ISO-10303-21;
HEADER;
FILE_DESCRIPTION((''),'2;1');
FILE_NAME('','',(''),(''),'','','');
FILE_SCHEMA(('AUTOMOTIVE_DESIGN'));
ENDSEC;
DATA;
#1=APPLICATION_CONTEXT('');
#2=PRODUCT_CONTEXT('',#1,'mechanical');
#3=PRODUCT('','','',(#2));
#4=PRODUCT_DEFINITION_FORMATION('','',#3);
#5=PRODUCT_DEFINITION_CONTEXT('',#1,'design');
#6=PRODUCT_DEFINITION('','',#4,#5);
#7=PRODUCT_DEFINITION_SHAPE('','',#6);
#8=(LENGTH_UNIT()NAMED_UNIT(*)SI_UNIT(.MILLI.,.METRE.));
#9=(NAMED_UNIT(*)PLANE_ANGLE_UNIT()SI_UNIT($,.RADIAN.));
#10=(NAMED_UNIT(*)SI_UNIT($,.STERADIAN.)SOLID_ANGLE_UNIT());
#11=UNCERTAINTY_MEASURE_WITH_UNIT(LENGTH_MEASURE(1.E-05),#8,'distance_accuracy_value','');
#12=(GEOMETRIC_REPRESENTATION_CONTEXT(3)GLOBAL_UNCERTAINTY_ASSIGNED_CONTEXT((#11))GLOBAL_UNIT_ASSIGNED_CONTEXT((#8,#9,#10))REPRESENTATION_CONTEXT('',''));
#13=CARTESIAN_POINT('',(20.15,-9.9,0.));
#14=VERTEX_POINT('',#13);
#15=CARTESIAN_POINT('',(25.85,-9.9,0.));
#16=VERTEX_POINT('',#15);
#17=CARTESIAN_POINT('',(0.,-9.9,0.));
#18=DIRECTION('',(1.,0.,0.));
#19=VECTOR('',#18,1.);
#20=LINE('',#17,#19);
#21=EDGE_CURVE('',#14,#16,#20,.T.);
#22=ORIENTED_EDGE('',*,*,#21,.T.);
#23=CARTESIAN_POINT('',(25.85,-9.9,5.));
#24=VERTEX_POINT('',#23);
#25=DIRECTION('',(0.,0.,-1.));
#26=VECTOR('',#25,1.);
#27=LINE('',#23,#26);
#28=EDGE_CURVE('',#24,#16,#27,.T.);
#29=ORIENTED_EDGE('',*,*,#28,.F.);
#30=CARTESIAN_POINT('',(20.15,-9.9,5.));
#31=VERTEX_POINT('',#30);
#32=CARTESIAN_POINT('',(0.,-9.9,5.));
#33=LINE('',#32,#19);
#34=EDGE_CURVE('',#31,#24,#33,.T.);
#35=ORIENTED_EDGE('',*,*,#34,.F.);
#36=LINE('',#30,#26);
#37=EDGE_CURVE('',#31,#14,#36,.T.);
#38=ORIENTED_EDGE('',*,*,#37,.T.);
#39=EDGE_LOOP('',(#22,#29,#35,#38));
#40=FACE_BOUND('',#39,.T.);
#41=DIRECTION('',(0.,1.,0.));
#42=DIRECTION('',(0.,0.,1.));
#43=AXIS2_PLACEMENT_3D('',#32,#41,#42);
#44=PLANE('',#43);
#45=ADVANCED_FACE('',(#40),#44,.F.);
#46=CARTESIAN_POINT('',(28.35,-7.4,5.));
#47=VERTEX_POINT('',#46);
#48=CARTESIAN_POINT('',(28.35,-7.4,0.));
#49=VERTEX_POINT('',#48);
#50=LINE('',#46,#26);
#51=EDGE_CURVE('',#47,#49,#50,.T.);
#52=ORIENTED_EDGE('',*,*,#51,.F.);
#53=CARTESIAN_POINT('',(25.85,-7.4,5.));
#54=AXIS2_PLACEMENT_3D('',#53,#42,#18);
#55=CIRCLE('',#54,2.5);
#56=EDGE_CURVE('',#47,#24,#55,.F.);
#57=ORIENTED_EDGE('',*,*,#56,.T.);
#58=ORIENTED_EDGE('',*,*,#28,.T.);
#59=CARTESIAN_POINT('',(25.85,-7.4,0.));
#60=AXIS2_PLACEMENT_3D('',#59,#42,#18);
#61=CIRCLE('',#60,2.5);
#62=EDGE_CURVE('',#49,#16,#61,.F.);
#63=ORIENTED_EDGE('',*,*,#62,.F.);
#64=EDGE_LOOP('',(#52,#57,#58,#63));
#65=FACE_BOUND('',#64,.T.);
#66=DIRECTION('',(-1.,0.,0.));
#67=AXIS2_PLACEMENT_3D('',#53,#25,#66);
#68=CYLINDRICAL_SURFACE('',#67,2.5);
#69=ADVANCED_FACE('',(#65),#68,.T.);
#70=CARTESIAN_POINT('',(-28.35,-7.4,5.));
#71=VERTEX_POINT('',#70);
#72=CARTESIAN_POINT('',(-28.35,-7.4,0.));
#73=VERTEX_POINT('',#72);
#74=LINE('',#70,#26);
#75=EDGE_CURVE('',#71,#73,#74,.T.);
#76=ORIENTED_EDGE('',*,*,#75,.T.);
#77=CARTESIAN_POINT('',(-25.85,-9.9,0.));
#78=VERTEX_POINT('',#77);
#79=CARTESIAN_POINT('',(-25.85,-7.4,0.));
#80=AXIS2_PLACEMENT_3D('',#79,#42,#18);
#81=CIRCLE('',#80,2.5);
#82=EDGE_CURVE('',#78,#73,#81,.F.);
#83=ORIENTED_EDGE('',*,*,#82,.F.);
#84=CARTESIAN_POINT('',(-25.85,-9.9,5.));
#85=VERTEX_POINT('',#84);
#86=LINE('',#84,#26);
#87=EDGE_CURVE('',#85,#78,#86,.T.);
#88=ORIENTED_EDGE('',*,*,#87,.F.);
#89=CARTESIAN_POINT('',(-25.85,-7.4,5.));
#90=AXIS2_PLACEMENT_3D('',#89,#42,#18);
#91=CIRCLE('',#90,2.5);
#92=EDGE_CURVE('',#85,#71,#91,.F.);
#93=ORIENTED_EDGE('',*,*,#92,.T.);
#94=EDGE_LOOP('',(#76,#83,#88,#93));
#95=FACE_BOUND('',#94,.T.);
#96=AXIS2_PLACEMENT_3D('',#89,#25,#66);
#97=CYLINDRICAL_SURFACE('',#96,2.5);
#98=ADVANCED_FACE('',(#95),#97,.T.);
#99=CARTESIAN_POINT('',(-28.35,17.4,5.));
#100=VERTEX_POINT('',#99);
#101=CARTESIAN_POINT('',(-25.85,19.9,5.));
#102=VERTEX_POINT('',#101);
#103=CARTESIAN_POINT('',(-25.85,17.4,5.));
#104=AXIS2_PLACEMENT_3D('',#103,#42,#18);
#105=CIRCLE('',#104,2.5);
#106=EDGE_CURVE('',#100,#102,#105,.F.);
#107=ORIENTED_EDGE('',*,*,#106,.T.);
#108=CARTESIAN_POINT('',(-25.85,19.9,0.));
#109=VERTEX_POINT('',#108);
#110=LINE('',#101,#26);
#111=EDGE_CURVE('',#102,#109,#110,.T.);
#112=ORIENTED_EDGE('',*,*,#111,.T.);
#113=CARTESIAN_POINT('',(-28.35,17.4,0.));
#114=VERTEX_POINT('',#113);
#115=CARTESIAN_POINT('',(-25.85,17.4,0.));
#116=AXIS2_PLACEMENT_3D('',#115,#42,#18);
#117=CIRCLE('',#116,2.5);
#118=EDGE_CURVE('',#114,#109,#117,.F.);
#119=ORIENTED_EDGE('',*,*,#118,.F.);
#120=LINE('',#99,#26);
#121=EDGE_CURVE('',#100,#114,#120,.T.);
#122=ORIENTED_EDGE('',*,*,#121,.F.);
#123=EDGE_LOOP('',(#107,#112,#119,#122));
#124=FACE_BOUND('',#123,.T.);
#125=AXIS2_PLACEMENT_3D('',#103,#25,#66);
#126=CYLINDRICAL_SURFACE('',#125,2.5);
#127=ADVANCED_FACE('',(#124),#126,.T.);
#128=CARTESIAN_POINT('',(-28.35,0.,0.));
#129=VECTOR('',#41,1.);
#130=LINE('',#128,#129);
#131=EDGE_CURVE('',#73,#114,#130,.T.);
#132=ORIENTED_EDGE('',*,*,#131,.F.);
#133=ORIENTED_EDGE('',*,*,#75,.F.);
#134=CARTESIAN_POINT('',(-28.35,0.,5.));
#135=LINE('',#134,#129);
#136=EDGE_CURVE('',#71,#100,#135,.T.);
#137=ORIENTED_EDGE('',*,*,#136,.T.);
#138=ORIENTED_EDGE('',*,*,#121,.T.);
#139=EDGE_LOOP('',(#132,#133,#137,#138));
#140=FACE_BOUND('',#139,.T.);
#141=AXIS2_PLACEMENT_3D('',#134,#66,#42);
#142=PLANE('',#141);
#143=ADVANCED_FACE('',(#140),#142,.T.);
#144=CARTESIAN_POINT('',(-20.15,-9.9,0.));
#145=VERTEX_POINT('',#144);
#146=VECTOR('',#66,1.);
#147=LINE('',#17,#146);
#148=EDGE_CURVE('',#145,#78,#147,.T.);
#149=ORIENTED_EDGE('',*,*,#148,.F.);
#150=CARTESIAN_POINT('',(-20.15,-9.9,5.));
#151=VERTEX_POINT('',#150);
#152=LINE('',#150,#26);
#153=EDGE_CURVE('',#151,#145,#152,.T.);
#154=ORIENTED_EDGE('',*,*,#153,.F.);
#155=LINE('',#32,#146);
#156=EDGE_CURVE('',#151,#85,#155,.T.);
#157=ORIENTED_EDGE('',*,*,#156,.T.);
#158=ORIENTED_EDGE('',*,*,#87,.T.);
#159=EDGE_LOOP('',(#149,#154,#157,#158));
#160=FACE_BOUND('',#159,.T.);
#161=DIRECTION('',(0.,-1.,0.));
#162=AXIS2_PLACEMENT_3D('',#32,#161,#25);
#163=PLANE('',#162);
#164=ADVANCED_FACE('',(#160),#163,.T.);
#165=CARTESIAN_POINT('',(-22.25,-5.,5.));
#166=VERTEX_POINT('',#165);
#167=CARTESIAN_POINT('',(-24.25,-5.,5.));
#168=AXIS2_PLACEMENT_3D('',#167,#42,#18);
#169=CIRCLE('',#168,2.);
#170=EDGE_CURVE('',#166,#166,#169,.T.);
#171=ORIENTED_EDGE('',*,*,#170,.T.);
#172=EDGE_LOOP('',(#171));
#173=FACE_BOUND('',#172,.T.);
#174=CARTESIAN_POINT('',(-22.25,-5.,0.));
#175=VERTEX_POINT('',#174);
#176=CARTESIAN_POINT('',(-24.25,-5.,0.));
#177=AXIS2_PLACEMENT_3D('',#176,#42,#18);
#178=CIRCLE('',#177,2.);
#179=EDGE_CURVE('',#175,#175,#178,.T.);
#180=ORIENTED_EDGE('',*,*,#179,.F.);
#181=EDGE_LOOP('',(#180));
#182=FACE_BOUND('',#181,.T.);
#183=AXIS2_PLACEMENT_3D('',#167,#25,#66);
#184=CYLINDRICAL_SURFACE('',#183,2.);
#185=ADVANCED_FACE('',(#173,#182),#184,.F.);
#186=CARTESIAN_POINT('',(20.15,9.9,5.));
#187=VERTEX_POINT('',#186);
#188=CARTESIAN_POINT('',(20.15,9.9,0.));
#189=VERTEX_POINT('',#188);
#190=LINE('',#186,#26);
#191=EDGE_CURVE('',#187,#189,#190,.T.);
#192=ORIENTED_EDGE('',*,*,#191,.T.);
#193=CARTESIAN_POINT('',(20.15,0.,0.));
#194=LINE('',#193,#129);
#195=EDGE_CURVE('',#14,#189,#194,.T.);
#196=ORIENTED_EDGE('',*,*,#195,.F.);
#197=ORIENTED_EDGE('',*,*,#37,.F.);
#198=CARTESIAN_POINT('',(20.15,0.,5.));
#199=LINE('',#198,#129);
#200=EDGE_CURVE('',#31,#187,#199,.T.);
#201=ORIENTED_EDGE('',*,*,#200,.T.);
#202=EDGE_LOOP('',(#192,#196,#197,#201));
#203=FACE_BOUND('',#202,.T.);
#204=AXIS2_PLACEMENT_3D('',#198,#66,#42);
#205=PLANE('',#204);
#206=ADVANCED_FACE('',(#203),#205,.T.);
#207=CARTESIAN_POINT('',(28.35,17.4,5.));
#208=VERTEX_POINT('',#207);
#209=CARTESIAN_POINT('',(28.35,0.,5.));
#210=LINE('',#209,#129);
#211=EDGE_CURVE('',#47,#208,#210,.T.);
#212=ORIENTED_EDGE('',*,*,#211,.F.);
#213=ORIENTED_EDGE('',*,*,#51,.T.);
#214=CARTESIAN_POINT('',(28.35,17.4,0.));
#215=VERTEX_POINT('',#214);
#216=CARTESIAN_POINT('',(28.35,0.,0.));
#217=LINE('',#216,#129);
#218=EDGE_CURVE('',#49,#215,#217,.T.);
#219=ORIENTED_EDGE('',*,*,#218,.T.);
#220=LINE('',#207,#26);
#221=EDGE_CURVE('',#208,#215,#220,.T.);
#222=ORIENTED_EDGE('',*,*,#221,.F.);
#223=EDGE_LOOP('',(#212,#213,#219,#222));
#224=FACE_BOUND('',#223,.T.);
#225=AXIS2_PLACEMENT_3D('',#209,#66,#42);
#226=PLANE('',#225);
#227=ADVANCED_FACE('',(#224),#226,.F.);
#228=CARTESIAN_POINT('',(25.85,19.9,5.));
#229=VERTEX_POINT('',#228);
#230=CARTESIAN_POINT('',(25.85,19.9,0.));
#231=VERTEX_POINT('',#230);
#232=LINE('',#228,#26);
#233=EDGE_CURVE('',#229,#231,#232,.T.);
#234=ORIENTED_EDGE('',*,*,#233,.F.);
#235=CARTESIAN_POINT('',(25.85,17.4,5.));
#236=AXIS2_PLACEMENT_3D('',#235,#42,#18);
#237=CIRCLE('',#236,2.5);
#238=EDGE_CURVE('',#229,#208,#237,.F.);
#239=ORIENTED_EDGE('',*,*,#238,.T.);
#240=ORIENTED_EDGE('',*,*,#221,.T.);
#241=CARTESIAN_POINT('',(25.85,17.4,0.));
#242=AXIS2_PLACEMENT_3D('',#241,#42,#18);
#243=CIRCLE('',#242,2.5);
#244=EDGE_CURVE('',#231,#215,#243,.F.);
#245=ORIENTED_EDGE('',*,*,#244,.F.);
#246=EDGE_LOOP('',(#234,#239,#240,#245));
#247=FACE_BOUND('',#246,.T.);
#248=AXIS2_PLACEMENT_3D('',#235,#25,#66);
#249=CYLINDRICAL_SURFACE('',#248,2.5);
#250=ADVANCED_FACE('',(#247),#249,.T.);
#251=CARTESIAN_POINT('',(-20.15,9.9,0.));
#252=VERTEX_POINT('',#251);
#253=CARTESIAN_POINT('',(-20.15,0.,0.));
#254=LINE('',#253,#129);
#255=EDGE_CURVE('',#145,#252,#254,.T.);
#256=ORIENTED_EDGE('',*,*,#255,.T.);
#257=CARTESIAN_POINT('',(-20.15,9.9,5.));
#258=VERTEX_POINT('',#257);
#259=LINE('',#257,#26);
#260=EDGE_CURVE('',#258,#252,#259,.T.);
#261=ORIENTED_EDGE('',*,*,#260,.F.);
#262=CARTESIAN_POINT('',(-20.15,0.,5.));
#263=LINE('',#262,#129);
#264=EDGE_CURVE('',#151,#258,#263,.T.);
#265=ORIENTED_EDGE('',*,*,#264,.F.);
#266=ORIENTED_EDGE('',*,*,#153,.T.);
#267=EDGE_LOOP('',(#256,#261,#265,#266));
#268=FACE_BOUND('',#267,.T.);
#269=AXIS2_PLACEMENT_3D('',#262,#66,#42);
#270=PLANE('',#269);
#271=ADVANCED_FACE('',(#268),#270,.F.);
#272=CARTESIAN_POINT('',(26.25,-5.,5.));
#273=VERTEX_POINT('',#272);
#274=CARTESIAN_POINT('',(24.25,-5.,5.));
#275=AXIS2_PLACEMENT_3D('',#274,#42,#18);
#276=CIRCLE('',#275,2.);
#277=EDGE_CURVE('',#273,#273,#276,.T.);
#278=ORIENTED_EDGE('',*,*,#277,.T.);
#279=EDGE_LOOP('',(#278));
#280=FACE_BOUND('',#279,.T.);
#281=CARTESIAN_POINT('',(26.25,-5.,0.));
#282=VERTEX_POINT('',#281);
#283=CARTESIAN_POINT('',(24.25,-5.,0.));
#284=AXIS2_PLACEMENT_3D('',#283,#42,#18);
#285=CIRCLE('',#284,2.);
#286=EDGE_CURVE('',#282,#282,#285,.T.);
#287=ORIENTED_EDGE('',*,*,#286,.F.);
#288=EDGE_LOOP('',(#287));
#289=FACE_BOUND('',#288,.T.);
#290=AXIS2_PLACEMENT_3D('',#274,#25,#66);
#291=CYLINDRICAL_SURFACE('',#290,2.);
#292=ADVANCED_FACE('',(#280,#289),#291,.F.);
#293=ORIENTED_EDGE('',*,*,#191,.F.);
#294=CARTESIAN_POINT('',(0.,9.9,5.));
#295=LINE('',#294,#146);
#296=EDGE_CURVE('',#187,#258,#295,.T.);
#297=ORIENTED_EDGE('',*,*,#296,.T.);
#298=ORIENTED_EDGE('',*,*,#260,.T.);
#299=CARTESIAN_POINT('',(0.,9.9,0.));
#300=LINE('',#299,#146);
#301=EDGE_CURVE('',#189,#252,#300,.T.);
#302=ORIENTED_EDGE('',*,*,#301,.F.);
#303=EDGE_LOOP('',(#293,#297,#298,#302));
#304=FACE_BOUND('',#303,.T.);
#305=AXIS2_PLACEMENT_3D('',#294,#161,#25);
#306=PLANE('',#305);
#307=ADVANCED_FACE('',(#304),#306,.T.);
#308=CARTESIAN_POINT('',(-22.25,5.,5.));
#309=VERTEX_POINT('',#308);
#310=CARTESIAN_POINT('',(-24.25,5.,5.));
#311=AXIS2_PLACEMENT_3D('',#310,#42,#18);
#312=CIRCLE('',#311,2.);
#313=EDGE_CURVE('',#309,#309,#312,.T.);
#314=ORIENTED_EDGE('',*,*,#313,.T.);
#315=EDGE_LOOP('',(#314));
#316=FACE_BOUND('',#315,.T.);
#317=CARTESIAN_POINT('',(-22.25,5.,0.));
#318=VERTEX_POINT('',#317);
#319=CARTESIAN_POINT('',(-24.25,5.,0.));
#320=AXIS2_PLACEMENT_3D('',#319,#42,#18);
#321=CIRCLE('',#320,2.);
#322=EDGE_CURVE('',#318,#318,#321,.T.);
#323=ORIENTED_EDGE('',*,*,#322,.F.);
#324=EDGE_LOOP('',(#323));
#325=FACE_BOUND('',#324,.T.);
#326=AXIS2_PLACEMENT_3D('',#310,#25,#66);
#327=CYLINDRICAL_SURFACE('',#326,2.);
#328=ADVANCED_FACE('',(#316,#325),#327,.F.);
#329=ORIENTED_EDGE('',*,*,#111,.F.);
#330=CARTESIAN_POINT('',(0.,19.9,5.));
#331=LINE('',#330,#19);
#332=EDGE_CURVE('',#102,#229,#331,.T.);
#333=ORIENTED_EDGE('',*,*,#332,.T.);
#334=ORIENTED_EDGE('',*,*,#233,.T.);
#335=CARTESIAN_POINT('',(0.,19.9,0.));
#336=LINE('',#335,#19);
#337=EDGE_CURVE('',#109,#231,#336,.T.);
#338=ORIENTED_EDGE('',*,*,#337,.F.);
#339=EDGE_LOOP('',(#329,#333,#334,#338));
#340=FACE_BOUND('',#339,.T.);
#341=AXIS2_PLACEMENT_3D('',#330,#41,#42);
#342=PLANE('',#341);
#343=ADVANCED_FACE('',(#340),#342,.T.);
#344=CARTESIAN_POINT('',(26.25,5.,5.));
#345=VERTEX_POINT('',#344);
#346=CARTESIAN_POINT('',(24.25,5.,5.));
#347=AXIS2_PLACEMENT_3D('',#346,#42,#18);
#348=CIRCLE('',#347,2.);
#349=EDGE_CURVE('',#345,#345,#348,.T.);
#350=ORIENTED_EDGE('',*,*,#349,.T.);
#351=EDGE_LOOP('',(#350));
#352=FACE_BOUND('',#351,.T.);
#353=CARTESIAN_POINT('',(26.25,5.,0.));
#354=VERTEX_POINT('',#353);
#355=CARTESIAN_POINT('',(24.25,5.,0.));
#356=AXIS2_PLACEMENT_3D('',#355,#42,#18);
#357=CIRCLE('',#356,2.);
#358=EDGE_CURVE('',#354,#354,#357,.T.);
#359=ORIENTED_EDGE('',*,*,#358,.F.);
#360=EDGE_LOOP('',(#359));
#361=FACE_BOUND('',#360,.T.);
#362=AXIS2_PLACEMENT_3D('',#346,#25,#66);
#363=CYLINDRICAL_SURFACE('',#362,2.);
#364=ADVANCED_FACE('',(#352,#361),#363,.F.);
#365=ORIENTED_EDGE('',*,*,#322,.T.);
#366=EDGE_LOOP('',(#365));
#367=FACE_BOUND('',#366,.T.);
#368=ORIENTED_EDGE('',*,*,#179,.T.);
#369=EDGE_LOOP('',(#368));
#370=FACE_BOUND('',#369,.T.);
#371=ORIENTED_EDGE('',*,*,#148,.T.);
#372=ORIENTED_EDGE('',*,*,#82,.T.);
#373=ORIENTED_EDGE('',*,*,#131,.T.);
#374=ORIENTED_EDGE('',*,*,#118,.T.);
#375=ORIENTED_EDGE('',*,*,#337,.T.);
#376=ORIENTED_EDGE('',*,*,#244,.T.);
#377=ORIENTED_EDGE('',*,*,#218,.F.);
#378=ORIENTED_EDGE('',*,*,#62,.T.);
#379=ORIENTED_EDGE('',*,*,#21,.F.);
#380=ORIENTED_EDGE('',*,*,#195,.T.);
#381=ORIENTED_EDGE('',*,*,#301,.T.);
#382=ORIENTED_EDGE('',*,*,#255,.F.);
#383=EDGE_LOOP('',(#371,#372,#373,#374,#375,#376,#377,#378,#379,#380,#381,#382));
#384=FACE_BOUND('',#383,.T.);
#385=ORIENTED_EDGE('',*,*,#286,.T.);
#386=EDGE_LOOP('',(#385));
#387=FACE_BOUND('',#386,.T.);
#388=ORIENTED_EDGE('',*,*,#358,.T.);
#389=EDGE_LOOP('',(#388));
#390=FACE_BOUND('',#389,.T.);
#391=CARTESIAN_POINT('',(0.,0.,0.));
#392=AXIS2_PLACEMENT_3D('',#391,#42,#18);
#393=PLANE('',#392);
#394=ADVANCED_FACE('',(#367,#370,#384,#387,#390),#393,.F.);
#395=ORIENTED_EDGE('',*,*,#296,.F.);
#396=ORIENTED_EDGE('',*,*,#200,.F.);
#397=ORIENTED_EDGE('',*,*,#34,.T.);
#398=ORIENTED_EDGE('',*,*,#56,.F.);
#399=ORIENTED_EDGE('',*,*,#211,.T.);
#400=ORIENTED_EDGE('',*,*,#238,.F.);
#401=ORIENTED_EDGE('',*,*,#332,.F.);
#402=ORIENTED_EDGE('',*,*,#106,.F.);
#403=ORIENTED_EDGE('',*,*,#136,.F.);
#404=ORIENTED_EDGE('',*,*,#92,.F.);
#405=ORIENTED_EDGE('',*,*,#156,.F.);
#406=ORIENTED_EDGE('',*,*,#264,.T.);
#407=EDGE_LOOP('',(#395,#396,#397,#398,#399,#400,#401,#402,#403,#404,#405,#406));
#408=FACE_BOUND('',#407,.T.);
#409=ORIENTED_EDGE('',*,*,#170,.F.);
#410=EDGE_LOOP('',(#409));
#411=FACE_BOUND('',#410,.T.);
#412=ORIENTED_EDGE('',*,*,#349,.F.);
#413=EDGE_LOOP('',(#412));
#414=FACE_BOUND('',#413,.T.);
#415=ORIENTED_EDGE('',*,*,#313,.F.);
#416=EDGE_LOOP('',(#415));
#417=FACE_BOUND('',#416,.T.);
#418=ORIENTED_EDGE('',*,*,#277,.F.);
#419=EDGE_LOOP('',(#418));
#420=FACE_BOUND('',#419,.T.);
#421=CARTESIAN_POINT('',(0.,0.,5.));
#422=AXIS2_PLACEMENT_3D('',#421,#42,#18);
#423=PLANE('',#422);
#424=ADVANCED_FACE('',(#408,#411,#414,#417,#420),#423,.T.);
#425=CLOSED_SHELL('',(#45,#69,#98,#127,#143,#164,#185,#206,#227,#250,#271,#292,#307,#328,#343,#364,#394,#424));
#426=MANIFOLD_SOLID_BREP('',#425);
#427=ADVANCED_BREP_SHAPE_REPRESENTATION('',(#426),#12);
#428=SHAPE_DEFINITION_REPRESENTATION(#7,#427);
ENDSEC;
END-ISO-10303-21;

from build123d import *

# Parameters (mm, degrees)
SKETCH1_R           = 2
BOSS_EXTRUDE1_DEPTH = 5


with BuildPart() as part:
    # Sketch1 → Boss-Extrude1 (new body)
    with BuildSketch(Plane.XY):
        with BuildLine():
            ThreePointArc((-25.85, -9.9), (-27.617766953, -9.167766953), (-28.35, -7.4))
            Line((-28.35, -7.4), (-28.35, 9.9))
            Line((-28.35, 9.9), (-20.15, 9.9))
            Line((-20.15, 9.9), (-20.15, -9.9))
            Line((-20.15, -9.9), (-25.85, -9.9))
        make_face()
        with Locations((-24.25, -5)):
            Circle(SKETCH1_R, mode=Mode.SUBTRACT)
        with Locations((-24.25, 5)):
            Circle(SKETCH1_R, mode=Mode.SUBTRACT)
        with BuildLine():
            Line((-28.35, 9.9), (-20.15, 9.9))
            Line((-20.15, 9.9), (20.15, 9.9))
            Line((20.15, 9.9), (28.35, 9.9))
            Line((28.35, 9.9), (28.35, 17.4))
            ThreePointArc((28.35, 17.4), (27.617766953, 19.167766953), (25.85, 19.9))
            Line((25.85, 19.9), (-25.85, 19.9))
            ThreePointArc((-25.85, 19.9), (-27.617766953, 19.167766953), (-28.35, 17.4))
            Line((-28.35, 17.4), (-28.35, 9.9))
        make_face()
        with BuildLine():
            ThreePointArc((28.35, -7.4), (27.617766953, -9.167766953), (25.85, -9.9))
            Line((25.85, -9.9), (20.15, -9.9))
            Line((20.15, -9.9), (20.15, 9.9))
            Line((20.15, 9.9), (28.35, 9.9))
            Line((28.35, 9.9), (28.35, -7.4))
        make_face()
        with Locations((24.25, 5)):
            Circle(SKETCH1_R, mode=Mode.SUBTRACT)
        with Locations((24.25, -5)):
            Circle(SKETCH1_R, mode=Mode.SUBTRACT)
    extrude(amount=BOSS_EXTRUDE1_DEPTH)


solid = part.part
